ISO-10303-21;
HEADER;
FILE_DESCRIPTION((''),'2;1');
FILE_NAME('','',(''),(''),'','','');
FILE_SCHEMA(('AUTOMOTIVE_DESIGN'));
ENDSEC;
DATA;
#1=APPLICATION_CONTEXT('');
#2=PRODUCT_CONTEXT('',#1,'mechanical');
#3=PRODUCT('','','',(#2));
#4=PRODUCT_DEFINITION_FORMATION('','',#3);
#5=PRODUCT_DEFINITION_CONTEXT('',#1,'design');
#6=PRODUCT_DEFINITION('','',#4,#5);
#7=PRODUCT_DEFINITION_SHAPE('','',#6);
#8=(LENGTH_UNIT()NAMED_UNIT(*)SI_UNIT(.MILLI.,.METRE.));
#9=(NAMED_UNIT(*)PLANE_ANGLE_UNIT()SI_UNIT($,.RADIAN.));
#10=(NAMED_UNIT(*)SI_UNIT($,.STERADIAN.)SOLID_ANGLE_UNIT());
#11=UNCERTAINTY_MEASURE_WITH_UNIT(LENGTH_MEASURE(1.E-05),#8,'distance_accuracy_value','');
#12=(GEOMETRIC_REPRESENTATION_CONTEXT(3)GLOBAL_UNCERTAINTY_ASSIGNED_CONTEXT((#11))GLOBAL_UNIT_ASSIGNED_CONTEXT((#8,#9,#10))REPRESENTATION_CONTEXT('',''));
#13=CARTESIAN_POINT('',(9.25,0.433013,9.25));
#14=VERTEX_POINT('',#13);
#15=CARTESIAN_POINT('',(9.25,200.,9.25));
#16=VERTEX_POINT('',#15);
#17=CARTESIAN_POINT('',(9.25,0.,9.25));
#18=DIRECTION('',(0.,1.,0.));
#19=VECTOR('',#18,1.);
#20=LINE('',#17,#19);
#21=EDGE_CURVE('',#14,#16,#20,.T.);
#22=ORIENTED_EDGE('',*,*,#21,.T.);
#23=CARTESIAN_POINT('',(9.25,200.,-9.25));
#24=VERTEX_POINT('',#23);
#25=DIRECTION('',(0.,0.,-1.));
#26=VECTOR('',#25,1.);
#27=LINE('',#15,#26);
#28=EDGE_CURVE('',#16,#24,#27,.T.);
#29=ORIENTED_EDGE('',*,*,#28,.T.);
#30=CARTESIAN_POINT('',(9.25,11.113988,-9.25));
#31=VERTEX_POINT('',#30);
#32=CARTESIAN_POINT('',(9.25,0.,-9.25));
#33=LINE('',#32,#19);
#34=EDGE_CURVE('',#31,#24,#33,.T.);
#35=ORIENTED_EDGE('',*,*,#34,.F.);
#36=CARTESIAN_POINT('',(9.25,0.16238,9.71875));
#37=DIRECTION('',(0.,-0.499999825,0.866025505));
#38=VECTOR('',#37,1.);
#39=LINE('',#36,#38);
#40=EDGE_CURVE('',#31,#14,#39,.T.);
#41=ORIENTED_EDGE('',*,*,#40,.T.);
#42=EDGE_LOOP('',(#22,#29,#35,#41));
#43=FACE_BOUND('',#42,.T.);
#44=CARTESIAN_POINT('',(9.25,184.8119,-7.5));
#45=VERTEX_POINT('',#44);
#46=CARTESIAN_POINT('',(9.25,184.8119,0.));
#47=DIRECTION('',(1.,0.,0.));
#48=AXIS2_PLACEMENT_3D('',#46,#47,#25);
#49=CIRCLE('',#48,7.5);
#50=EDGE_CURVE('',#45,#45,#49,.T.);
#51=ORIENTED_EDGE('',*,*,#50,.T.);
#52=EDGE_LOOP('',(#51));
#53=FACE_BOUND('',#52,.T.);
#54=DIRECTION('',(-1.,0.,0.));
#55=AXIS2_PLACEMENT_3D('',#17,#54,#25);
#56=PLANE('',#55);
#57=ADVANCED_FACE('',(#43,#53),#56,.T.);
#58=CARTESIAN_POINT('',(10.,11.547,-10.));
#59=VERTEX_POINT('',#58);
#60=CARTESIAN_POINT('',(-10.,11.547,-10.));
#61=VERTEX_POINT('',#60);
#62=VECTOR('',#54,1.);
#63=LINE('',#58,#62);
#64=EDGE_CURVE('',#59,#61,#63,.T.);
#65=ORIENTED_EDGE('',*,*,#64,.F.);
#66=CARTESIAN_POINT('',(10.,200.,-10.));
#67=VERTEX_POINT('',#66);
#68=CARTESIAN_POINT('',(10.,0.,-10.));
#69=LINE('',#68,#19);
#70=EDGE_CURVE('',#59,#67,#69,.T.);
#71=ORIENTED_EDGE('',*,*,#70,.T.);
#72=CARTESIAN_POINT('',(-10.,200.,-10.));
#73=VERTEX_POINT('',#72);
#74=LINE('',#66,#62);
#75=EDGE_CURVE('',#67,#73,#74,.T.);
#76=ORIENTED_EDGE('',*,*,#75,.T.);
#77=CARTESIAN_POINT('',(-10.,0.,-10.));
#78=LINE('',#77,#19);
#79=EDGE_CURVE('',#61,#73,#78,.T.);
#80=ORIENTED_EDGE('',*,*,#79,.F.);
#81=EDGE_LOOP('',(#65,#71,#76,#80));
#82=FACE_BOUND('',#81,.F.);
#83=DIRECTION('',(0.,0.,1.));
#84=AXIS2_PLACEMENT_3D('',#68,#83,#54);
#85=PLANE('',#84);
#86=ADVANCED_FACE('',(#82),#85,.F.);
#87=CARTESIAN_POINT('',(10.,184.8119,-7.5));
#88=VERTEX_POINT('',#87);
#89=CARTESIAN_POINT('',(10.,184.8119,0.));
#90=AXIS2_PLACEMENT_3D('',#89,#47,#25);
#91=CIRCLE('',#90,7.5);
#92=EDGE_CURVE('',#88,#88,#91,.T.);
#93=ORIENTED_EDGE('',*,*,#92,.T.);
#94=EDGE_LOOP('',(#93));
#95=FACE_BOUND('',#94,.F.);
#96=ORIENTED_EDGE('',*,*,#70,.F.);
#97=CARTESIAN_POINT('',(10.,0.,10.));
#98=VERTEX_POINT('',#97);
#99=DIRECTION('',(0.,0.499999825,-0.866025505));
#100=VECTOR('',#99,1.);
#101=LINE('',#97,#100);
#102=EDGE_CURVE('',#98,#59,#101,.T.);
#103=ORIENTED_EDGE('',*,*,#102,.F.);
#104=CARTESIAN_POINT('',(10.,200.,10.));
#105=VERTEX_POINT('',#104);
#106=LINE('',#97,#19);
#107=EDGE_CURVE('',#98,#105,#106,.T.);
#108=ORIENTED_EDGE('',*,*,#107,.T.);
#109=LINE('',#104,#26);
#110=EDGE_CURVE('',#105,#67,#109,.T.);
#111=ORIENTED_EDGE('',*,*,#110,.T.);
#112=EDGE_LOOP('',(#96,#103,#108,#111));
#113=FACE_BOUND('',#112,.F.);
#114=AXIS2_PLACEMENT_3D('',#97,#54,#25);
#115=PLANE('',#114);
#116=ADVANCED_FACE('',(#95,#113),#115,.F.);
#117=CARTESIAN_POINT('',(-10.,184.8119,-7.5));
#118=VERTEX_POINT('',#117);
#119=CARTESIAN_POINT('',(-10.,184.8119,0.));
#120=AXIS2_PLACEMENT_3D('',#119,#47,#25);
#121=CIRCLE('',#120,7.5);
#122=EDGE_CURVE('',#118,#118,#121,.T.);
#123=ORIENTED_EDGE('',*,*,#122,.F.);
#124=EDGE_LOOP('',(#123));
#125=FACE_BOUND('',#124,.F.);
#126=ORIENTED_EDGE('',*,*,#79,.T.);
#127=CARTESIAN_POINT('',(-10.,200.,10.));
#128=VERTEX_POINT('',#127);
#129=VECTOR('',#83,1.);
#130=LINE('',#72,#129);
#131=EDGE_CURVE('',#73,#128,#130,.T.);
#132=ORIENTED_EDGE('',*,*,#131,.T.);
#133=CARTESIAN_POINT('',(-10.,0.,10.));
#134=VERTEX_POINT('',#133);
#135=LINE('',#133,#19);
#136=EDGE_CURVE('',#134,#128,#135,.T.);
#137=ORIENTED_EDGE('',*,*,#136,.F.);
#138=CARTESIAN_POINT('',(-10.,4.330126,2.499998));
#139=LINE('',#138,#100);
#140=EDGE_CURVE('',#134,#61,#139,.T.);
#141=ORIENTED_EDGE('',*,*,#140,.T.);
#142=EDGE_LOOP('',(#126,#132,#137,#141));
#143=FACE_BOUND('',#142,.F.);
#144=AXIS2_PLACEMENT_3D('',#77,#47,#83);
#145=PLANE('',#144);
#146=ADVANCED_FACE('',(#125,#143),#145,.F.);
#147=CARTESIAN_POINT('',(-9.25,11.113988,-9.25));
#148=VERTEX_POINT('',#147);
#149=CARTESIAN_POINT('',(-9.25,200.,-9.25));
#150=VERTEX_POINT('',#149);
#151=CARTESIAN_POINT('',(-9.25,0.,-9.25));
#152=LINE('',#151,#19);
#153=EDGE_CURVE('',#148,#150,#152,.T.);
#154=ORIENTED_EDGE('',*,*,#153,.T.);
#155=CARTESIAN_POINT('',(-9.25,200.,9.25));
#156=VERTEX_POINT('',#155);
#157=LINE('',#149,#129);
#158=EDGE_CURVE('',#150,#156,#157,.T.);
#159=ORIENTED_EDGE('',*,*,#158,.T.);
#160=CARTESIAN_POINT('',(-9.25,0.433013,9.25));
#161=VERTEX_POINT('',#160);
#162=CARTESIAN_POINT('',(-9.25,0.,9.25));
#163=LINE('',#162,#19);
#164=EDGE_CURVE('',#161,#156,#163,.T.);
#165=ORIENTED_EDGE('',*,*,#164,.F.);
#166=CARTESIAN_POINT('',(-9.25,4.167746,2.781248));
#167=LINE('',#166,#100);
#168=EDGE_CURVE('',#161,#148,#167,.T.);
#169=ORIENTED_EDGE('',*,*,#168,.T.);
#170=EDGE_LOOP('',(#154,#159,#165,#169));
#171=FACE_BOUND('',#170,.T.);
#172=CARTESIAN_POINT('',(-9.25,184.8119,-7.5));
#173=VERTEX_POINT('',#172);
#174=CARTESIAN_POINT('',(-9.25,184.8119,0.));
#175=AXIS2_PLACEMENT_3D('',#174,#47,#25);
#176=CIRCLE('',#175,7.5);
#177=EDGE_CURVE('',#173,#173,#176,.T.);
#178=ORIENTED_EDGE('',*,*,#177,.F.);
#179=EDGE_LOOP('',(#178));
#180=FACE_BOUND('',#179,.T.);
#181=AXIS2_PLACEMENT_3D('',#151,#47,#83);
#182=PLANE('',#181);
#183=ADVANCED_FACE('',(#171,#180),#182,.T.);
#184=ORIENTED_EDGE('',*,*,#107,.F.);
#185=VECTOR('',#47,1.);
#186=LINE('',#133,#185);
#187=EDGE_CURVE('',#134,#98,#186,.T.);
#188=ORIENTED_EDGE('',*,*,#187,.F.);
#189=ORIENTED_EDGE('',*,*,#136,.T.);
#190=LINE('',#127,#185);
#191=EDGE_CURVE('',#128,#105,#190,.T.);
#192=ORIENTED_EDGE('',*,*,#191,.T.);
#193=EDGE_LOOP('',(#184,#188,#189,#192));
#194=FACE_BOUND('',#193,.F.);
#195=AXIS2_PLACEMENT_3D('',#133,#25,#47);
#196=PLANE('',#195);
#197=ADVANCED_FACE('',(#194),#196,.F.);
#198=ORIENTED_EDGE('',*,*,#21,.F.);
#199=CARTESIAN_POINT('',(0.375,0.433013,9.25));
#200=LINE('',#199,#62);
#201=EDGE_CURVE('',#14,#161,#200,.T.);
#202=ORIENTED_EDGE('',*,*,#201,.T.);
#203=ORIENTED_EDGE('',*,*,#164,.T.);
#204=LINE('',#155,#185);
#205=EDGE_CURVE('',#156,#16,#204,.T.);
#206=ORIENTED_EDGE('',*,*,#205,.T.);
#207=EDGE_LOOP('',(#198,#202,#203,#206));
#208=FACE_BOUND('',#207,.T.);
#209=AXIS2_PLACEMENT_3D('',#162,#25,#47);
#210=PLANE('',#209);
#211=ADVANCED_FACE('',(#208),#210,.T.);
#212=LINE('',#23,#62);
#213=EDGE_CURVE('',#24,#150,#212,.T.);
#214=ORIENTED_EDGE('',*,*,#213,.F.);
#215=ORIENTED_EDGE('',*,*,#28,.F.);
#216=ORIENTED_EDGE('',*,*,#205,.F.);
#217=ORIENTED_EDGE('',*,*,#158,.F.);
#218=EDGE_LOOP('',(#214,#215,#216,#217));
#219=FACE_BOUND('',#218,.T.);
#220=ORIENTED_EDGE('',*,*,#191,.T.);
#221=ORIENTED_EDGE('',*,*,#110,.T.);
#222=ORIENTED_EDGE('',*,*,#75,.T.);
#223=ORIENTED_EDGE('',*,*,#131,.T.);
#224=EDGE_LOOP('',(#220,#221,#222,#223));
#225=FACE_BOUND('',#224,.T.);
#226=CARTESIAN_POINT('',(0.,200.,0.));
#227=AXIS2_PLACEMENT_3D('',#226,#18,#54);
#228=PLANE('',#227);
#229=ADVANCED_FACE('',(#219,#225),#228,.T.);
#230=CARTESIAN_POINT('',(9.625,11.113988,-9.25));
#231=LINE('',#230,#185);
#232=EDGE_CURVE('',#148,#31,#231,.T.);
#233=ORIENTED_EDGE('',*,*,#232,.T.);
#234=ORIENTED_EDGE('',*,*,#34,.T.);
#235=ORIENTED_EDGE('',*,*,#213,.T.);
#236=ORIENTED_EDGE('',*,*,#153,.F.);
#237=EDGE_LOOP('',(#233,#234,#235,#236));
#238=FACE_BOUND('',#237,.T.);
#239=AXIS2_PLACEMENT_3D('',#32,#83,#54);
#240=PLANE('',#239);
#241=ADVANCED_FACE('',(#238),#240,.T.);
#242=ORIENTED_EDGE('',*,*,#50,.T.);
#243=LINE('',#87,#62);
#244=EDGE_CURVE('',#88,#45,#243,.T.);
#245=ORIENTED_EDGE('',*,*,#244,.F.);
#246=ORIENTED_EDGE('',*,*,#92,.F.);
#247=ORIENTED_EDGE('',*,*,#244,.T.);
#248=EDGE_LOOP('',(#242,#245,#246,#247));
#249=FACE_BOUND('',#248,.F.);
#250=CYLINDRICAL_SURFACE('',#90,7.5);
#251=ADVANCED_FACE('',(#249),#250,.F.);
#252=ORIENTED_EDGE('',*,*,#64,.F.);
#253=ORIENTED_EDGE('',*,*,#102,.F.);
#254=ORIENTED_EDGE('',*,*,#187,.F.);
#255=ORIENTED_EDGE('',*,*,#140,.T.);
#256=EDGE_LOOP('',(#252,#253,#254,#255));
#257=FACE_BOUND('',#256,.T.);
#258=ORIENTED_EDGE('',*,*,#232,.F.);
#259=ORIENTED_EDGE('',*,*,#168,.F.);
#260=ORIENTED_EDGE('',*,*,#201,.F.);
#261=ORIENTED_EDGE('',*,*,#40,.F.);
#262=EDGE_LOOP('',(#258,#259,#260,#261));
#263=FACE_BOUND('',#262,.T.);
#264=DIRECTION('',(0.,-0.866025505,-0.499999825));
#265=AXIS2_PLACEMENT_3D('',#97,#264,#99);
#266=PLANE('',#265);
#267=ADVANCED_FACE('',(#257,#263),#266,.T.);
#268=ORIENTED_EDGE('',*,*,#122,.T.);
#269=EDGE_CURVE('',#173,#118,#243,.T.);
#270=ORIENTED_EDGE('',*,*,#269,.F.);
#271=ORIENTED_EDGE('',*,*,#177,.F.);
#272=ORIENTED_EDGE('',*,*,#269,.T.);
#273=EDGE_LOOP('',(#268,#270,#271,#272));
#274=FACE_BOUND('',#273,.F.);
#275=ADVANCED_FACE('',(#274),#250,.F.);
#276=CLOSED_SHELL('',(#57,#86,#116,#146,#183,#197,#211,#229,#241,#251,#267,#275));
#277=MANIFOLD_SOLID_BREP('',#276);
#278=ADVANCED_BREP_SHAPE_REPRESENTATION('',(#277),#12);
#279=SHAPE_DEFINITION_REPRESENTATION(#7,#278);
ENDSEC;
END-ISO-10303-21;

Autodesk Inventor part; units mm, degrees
ref_plane "YZ Plane" through (0, 0, 0) normal (1, 0, 0) x (0, 1, 0)
ref_plane "XZ Plane" through (0, 0, 0) normal (0, 1, 0) x (-1, 0, 0)
ref_plane "XY Plane" through (0, 0, 0) normal (0, 0, 1) x (1, 0, 0)
sketch "Эскиз1" plane through (0, 0, 0) normal (0, 1, 0) x (-1, 0, 0)
  line L0 (-10, -10) -> (10, -10)
  line L1 (10, -10) -> (10, 10)
  line L2 (10, 10) -> (-10, 10)
  line L3 (-10, 10) -> (-10, -10)
  line L4 (-10, -10) -> (10, 10) construction
  line L5 (10, -10) -> (-10, 10) construction
  line L6 (-9.25, -9.25) -> (9.25, -9.25)
  line L7 (9.25, -9.25) -> (9.25, 9.25)
  line L8 (9.25, 9.25) -> (-9.25, 9.25)
  line L9 (-9.25, 9.25) -> (-9.25, -9.25)
  line L10 (-9.25, -9.25) -> (9.25, 9.25) construction
  line L11 (9.25, -9.25) -> (-9.25, 9.25) construction
  point P0 (0, 0)
  dimension "d0" = 20
  dimension "d1" = 20
  dimension "d2" = 18.5
  dimension "d3" = 18.5
extrude "Выдавливание1" add sketch "Эскиз1" along normal blind 200
sketch "Эскиз2" plane through (10, 0, 10) normal (1, 0, 0) x (0, 0, -1)
  line L0 (0, 0) -> (20, 0) projected
  line L1 (0, 0) -> (20, 11.547)
  line L2 (20, 0) -> (20, 200) projected
  line L3 (0, 0) -> (23.094, 0) construction
  line L4 (0, 0) -> (20, 0)
  line L5 (19.25, 0) -> (0.75, 0) projected
  line L6 (20, 11.547) -> (20, 0)
  point P0 (10, 0)
  dimension "d6" = 30
extrude "Выдавливание2" cut sketch "Эскиз2" against normal blind 200
sketch "Эскиз4" plane through (10, 200, 10) normal (1, 0, 0) x (0, 0, -1)
  circle A0 centre (10, -15.1881) radius 7.5
  point P0 (10, -200)
  dimension "d9" = 15
extrude "Выдавливание3" cut sketch "Эскиз4" against normal blind 124
properties part number "опора кинематик стенд"
